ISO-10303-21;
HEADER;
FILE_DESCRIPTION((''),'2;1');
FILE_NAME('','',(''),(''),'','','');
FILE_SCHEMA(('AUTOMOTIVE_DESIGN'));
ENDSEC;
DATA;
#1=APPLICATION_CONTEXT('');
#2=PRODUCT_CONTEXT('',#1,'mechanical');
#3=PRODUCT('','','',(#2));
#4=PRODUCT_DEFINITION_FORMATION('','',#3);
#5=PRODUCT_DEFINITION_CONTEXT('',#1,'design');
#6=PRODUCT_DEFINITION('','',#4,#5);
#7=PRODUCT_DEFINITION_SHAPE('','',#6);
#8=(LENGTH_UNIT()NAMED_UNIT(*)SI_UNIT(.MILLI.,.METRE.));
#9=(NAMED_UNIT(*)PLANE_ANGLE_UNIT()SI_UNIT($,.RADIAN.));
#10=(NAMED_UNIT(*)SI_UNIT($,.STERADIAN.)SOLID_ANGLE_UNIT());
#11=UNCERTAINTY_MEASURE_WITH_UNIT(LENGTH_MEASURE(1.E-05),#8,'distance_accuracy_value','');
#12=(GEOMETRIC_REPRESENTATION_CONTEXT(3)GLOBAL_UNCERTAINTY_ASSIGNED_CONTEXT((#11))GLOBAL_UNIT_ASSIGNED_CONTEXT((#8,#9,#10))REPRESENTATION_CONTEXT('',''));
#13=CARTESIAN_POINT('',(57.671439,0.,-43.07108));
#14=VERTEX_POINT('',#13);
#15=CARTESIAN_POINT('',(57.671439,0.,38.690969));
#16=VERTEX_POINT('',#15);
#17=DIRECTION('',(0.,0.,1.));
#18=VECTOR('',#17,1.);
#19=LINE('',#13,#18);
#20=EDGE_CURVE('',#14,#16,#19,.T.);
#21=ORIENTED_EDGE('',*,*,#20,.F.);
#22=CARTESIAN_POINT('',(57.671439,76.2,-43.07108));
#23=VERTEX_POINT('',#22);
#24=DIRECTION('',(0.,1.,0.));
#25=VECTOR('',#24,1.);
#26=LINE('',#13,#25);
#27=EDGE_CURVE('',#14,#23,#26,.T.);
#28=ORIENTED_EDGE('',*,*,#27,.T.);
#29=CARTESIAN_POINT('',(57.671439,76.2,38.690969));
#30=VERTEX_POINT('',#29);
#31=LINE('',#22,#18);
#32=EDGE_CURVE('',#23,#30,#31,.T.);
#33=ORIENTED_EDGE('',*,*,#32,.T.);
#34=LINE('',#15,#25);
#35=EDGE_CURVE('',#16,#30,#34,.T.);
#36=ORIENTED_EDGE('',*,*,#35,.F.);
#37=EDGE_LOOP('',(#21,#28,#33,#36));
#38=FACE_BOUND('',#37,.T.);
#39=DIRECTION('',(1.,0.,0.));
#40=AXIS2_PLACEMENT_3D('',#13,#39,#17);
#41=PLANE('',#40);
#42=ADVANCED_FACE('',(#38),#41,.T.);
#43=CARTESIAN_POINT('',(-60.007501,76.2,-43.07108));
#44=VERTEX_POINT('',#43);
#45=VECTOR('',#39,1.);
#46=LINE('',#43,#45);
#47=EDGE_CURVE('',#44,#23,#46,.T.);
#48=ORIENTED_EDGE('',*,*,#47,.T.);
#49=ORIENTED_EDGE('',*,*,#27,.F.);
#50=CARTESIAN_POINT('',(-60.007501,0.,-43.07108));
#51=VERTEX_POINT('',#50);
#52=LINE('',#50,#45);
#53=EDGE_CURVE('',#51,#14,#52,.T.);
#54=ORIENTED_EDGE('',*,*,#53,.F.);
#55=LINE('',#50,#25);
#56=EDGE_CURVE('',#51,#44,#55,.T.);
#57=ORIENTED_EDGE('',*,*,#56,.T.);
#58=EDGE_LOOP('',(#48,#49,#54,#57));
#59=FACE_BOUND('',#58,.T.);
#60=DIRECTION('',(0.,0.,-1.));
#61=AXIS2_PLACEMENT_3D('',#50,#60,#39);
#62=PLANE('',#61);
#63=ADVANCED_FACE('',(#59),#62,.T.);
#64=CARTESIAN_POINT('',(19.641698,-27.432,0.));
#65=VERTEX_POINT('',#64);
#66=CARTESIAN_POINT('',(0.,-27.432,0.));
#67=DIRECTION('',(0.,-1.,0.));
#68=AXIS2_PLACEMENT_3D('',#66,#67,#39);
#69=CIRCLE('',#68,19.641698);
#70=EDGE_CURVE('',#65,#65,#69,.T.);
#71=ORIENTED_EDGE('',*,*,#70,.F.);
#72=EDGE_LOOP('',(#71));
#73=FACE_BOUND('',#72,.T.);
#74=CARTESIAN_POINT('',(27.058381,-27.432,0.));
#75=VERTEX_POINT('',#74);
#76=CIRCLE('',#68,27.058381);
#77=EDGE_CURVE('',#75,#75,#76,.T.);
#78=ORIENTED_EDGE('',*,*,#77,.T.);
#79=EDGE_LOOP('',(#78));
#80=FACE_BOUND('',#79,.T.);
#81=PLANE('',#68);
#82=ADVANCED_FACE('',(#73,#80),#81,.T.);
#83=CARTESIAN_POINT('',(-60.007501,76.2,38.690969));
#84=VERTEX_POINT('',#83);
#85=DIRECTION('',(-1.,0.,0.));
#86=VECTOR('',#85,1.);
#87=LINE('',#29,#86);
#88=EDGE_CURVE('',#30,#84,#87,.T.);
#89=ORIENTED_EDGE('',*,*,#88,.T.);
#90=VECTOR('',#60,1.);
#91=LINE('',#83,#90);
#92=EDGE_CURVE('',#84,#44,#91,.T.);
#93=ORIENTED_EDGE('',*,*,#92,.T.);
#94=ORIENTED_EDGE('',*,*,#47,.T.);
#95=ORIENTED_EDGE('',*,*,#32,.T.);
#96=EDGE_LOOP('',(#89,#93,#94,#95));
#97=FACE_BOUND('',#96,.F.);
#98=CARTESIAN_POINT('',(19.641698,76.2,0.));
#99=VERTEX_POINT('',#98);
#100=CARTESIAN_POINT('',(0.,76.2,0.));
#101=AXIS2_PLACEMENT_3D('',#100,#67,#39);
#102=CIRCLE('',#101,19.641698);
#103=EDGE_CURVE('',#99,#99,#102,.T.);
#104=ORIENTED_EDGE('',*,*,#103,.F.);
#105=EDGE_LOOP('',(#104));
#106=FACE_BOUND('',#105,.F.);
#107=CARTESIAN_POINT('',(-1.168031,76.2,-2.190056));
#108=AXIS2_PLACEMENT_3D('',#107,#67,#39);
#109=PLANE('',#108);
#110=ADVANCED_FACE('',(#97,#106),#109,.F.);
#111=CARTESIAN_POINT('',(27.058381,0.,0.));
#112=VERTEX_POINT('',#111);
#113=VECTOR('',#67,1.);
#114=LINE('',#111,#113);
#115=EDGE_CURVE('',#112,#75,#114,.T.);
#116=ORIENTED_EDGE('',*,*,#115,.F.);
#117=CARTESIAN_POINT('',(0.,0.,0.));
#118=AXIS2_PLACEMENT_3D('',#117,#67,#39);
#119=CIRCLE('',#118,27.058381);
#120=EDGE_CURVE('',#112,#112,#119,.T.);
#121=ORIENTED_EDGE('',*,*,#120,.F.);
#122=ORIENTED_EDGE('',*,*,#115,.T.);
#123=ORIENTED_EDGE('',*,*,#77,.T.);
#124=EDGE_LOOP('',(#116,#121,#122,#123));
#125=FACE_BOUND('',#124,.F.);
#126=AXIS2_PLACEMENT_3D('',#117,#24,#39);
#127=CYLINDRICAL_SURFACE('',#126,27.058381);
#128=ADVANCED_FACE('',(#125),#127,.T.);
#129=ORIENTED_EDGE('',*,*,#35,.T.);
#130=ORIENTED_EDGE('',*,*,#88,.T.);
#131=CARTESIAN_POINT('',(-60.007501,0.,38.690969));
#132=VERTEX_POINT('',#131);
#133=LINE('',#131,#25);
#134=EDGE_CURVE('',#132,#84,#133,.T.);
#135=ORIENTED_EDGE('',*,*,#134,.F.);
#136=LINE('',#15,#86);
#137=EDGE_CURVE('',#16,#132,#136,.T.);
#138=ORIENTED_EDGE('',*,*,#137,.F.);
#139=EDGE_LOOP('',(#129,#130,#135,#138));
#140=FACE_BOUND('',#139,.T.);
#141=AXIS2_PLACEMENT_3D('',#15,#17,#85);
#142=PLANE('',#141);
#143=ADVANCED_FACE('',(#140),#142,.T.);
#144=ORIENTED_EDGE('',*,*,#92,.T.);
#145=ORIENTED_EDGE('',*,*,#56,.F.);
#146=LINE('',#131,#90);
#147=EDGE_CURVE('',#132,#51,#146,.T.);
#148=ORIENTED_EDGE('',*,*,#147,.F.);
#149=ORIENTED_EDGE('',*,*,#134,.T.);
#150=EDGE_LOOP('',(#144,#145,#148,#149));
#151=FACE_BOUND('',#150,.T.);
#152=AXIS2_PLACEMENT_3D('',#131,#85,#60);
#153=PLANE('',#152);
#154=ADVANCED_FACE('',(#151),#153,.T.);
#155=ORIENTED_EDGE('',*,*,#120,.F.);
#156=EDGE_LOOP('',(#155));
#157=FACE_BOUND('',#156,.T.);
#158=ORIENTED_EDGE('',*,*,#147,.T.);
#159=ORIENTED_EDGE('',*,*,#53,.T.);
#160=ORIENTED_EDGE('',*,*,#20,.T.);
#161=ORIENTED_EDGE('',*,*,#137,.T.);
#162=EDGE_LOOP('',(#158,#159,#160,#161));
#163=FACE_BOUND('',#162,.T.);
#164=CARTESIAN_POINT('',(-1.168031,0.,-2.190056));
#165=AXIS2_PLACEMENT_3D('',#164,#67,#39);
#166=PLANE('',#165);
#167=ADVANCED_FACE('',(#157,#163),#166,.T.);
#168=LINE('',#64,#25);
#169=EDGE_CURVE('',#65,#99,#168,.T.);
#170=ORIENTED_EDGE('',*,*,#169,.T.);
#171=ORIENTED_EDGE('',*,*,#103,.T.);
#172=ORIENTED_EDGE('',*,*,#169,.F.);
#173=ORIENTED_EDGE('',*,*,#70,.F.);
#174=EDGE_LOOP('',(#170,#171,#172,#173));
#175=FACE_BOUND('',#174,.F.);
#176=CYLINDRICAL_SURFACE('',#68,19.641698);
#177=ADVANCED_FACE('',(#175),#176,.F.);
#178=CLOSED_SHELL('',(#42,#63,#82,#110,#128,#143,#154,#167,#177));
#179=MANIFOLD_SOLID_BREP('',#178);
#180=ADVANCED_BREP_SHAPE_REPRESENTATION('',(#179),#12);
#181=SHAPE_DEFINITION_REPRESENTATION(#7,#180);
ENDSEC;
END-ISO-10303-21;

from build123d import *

# Parameters (mm, degrees)
F1_DEPTH = 76.2
F2_R     = 27.058381
F3_DEPTH = 27.432
F4_R     = 19.641698
F5_DEPTH = 197.104


with BuildPart() as f1:
    # F0 (on Front) → F1 (new body)
    with BuildSketch(Plane.XZ):
        Polygon((57.671439, 38.690969), (-60.007501, 38.690969), (-60.007501, -43.07108), (57.671439, -43.07108), (57.671439, 35.186879), align=None)
    extrude(amount=-F1_DEPTH)

    # F2 (on Front) → F3 (join)
    with BuildSketch(Plane.XZ):
        Circle(F2_R)
    extrude(amount=F3_DEPTH)

    # F4 (on face) → F5 (cut)
    with BuildSketch(Plane.XZ.offset(27.432)):
        Circle(F4_R)
    extrude(amount=-F5_DEPTH, mode=Mode.SUBTRACT)


solid = f1.part
